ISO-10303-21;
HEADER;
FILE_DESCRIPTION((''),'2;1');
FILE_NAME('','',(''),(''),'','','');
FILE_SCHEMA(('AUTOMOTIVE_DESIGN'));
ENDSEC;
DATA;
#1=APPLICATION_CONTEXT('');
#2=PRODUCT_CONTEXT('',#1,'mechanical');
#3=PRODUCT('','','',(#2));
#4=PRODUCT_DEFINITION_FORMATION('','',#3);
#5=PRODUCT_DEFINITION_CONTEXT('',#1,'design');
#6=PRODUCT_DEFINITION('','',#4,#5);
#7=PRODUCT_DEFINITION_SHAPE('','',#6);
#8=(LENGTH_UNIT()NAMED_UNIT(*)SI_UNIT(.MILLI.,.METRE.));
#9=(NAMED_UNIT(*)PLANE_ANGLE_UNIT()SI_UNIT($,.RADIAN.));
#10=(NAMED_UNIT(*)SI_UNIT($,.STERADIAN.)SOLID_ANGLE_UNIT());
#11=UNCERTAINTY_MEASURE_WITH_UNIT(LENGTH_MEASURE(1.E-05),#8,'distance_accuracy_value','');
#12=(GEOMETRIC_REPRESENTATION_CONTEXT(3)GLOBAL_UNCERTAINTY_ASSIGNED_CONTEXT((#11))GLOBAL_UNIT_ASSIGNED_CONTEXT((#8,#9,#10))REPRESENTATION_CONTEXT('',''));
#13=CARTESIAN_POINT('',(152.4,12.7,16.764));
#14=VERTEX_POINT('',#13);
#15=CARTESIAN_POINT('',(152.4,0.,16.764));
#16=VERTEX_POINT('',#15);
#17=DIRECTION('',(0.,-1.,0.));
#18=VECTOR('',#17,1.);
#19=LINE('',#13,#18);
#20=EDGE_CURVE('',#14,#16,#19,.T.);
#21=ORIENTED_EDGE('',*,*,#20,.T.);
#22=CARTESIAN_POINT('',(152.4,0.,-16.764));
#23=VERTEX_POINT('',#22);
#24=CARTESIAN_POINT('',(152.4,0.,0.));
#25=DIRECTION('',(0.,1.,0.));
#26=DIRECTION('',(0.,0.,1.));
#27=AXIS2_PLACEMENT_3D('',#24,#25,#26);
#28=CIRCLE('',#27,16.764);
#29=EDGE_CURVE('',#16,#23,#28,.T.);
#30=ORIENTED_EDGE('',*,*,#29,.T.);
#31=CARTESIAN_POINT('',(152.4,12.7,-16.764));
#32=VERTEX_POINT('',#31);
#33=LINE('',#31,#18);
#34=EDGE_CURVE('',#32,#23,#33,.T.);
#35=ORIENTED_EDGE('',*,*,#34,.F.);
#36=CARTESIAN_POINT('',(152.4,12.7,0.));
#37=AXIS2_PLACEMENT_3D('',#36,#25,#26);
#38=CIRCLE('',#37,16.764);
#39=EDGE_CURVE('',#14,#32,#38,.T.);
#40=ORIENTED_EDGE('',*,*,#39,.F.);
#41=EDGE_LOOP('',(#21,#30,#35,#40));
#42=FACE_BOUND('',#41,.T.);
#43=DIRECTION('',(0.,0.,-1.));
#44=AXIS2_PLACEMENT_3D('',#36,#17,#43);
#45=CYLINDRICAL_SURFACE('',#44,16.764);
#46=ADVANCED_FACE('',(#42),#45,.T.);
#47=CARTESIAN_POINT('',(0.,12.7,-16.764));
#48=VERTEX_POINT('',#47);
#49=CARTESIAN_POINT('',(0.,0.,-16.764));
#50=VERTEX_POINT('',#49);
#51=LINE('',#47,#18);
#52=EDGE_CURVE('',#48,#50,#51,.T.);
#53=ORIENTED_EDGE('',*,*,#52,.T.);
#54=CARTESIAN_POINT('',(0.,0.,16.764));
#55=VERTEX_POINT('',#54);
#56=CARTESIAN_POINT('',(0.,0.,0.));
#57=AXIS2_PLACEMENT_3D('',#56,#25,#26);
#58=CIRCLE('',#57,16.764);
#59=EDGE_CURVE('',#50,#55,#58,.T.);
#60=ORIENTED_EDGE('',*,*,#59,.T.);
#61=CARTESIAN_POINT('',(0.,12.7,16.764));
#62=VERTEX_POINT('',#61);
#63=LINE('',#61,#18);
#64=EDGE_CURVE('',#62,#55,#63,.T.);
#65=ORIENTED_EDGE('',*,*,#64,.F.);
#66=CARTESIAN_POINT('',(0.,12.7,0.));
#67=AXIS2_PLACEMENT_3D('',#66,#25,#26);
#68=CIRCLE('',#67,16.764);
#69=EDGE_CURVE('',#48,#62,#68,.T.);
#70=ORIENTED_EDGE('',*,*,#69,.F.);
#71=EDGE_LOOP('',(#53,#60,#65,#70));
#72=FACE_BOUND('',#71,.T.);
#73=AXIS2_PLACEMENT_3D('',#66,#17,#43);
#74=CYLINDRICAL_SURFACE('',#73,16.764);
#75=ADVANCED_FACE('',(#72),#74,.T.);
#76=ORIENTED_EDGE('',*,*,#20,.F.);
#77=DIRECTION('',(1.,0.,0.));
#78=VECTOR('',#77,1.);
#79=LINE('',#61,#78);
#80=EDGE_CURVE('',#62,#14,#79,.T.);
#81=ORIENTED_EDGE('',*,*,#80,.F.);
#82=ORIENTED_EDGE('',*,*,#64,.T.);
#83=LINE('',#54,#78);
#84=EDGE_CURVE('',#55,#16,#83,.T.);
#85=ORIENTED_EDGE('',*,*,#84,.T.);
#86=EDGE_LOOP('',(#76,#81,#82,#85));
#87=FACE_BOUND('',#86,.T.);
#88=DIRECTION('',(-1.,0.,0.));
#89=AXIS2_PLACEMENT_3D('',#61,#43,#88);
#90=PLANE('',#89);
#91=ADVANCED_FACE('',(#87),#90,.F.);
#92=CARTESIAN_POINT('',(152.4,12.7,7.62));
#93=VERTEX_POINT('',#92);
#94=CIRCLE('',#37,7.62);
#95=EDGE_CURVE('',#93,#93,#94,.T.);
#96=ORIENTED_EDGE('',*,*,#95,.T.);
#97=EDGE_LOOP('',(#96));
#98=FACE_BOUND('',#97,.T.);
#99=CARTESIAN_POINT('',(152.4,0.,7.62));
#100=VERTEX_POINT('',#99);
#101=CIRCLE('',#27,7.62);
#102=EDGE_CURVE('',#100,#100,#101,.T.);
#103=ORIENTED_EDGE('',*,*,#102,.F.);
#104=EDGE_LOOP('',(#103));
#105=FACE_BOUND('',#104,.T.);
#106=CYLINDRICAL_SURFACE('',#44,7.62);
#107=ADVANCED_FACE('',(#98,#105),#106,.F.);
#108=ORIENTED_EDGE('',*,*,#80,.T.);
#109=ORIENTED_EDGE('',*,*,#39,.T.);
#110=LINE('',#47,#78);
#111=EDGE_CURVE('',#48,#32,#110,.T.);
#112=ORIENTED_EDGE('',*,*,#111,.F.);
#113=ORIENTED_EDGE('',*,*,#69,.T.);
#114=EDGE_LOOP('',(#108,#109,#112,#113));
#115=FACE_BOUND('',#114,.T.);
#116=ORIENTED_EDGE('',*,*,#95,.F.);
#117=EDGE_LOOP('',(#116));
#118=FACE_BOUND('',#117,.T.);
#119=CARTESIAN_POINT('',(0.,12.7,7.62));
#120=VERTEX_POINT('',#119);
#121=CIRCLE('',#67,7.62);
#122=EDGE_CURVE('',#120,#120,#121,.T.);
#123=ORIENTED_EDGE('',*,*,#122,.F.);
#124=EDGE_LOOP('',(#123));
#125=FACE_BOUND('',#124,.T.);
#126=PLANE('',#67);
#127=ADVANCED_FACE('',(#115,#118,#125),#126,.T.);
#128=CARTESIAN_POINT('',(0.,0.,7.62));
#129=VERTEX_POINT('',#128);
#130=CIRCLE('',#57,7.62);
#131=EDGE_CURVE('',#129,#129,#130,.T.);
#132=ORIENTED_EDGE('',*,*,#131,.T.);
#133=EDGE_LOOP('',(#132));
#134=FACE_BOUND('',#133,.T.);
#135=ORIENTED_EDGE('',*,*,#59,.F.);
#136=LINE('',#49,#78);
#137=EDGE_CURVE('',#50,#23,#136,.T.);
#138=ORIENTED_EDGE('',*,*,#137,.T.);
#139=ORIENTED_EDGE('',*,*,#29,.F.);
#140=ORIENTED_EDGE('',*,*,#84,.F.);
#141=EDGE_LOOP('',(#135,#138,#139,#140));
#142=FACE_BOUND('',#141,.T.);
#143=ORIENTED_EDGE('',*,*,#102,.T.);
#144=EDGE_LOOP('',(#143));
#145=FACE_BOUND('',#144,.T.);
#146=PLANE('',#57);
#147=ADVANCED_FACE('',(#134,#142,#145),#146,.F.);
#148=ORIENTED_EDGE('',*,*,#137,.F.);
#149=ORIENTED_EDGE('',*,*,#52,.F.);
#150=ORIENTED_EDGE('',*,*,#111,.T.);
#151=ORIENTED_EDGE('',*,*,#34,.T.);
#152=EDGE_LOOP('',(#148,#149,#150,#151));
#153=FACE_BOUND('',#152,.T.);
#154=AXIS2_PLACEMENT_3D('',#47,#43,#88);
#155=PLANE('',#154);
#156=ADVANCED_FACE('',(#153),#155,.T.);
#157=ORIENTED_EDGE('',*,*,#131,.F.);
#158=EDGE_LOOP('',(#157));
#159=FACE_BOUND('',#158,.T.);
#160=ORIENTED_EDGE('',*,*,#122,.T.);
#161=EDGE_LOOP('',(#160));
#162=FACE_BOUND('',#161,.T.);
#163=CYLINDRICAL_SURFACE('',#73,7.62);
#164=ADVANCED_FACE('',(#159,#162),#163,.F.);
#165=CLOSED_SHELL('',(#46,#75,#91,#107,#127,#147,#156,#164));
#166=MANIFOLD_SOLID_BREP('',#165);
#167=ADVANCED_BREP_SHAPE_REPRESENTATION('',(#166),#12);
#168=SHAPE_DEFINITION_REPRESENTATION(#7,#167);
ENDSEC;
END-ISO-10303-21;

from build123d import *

# Parameters (mm, degrees)
SKETCH2_R           = 7.62
BOSS_EXTRUDE1_DEPTH = 12.7


with BuildPart() as part:
    # Sketch2 → Boss-Extrude1 (new body)
    with BuildSketch(Plane(origin=(0, 0, 0), x_dir=(1, 0, 0), z_dir=(0, 1, 0))):
        with BuildLine():
            Line((0, 16.764), (152.4, 16.764))
            ThreePointArc((152.4, 16.764), (169.164, 0), (152.4, -16.764))
            Line((152.4, -16.764), (0, -16.764))
            ThreePointArc((0, -16.764), (-16.764, 0), (0, 16.764))
        make_face()
        with Locations(Location((0, 0, 0), (0, 0, 270))):
            Circle(SKETCH2_R, mode=Mode.SUBTRACT)
        with Locations(Location((152.4, 0, 0), (0, 0, 270))):
            Circle(SKETCH2_R, mode=Mode.SUBTRACT)
    extrude(amount=BOSS_EXTRUDE1_DEPTH)


solid = part.part
